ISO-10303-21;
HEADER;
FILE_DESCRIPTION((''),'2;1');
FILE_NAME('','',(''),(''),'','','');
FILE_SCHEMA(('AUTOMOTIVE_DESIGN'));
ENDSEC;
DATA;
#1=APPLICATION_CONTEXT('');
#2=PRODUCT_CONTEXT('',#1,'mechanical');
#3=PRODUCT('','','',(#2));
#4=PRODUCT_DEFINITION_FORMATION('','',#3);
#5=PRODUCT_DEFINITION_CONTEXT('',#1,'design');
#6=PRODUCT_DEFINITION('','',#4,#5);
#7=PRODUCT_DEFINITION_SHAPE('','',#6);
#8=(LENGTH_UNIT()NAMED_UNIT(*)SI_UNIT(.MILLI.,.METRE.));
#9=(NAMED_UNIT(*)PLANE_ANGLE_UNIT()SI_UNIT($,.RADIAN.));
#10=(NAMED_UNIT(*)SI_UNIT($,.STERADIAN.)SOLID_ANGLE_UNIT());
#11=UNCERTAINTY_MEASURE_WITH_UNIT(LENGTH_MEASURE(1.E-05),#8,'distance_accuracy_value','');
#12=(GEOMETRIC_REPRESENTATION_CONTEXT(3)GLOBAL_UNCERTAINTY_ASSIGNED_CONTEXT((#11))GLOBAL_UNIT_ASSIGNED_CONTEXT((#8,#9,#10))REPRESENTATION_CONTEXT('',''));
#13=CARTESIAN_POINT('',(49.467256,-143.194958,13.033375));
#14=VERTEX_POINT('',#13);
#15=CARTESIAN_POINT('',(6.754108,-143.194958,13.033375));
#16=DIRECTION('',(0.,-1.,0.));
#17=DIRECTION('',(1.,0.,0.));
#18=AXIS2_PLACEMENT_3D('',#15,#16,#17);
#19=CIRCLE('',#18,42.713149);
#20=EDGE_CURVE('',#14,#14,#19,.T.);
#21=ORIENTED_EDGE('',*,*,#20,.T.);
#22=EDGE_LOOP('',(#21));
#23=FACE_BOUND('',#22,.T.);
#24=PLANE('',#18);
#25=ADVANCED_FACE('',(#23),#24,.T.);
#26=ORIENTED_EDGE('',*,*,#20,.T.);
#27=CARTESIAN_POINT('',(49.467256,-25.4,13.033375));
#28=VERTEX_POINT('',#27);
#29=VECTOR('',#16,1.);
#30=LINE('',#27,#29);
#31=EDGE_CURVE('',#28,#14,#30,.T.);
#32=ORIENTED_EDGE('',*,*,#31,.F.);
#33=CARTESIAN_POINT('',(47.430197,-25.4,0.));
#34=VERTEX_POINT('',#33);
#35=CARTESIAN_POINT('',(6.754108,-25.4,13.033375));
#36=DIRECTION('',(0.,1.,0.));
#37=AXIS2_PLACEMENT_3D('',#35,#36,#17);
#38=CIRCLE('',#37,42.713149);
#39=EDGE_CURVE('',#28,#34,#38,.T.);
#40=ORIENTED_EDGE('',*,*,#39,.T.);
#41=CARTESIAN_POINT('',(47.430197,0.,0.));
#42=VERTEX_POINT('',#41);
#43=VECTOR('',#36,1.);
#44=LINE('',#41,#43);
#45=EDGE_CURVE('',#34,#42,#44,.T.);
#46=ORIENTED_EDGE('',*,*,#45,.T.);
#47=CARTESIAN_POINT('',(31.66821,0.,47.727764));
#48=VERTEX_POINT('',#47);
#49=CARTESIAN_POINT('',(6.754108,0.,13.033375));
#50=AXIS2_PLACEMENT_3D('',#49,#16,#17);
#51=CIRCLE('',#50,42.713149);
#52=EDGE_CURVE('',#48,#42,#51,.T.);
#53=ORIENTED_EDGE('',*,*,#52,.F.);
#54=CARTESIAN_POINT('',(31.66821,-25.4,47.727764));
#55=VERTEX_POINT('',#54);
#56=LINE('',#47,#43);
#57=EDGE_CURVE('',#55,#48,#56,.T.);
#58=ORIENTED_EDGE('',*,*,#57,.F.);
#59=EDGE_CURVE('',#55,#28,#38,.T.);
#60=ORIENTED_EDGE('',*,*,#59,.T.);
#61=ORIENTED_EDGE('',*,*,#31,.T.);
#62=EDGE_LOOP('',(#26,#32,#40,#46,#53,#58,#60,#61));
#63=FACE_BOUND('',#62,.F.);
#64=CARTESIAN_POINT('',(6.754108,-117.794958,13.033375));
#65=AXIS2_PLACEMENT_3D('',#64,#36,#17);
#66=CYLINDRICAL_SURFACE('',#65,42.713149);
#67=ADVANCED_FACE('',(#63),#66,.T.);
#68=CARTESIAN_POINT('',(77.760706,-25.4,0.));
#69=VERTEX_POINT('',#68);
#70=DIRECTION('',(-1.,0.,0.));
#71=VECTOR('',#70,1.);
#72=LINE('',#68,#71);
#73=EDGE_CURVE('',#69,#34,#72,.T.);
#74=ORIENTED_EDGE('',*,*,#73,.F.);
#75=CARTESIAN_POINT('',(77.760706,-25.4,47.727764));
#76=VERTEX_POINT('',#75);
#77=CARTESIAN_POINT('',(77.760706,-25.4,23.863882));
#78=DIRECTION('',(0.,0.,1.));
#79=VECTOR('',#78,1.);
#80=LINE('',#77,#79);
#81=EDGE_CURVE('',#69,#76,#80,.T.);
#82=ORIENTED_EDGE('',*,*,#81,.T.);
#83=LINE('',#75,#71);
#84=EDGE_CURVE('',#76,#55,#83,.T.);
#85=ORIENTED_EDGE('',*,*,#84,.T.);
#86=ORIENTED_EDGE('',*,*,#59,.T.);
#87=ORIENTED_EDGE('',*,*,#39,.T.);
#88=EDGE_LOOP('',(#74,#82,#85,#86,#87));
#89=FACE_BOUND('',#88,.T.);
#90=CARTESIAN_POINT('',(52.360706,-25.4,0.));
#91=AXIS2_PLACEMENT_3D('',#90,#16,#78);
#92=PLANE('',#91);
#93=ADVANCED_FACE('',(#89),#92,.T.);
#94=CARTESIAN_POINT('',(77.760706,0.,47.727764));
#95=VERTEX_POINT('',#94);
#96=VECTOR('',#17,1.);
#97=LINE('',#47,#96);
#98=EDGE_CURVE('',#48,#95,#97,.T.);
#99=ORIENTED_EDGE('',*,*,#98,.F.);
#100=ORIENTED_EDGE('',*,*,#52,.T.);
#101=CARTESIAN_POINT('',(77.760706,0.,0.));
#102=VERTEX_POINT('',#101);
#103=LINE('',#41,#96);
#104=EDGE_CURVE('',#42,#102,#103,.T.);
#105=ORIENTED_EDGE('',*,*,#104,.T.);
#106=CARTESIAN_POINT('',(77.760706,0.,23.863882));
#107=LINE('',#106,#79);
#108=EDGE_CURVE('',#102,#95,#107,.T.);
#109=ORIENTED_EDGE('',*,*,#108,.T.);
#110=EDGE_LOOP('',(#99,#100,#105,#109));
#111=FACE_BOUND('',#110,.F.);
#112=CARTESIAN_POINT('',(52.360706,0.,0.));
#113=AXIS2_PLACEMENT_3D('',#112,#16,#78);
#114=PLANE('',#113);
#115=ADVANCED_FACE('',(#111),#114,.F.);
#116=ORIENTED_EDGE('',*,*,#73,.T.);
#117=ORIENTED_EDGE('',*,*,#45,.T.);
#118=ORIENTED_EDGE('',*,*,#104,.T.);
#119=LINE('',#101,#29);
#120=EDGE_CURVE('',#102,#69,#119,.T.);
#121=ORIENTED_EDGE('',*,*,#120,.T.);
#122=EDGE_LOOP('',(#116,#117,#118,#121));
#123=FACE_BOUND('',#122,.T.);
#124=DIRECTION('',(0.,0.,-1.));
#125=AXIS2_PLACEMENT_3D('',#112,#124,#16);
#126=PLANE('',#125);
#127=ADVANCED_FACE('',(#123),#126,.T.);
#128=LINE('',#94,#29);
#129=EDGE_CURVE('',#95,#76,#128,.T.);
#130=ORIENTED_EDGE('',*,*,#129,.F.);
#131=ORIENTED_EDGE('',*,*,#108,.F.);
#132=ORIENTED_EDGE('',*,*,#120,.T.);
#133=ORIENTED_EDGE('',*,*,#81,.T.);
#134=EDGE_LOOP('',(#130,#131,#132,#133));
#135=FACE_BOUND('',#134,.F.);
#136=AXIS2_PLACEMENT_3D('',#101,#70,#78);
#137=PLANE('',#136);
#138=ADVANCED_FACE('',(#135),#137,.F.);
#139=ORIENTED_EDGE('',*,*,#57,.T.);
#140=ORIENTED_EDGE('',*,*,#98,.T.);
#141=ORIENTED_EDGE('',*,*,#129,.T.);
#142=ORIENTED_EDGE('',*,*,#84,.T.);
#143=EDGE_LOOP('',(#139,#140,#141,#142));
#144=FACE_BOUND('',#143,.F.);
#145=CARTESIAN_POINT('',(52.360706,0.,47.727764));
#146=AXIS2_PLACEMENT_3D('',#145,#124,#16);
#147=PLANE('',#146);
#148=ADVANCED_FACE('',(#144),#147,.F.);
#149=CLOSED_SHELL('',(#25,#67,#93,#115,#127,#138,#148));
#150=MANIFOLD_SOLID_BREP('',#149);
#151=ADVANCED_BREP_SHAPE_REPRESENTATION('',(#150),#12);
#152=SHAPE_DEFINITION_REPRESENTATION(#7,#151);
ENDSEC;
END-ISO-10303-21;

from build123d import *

# Parameters (mm, degrees)
F0_R      = 42.713148629
F1_DEPTH  = 66.9949576259
F1_FACE_R = 42.713148629
F2_W      = 52.3607060313
F2_H      = 47.7277636528
F3_DEPTH  = 25.4
F4_DEPTH  = 25.4
F5_DEPTH  = 25.4
F6_DEPTH  = 25.4


with BuildPart() as f1:
    # F0 (on Front) → F1 (new body)
    with BuildSketch(Plane.XZ):
        with Locations((6.7541077733, 13.033375144)):
            Circle(F0_R)
    extrude(amount=F1_DEPTH)

    # F1_face (on face) + F2 (on Front) → F3 (join)
    with BuildSketch(Plane(origin=(6.7541077733, -66.9949576259, 13.033375144), x_dir=(1, 0, 0), z_dir=(0, -1, 0))):
        Circle(F1_FACE_R)
    with BuildSketch(Plane.XZ):
        with Locations((26.1803530157, 23.8638818264)):
            Rectangle(F2_W, F2_H)
    extrude(amount=F3_DEPTH)

    # F4 (add): a face of the model
    f4_faces = [f1.faces().sort_by_distance(p)[0] for p in [
        (52.3607060313, -12.7, 23.8638818264),
    ]]
    extrude(f4_faces, amount=F4_DEPTH)

    # F5 (add): a face of the model
    f5_faces = [f1.faces().sort_by_distance(p)[0] for p in [
        (6.7541077733, -92.3949576259, 13.033375144),
    ]]
    extrude(f5_faces, amount=F5_DEPTH)

    # F6 (add): a face of the model
    f6_faces = [f1.faces().sort_by_distance(p)[0] for p in [
        (6.7541077733, -117.7949576259, 13.033375144),
    ]]
    extrude(f6_faces, amount=F6_DEPTH)


solid = f1.part
